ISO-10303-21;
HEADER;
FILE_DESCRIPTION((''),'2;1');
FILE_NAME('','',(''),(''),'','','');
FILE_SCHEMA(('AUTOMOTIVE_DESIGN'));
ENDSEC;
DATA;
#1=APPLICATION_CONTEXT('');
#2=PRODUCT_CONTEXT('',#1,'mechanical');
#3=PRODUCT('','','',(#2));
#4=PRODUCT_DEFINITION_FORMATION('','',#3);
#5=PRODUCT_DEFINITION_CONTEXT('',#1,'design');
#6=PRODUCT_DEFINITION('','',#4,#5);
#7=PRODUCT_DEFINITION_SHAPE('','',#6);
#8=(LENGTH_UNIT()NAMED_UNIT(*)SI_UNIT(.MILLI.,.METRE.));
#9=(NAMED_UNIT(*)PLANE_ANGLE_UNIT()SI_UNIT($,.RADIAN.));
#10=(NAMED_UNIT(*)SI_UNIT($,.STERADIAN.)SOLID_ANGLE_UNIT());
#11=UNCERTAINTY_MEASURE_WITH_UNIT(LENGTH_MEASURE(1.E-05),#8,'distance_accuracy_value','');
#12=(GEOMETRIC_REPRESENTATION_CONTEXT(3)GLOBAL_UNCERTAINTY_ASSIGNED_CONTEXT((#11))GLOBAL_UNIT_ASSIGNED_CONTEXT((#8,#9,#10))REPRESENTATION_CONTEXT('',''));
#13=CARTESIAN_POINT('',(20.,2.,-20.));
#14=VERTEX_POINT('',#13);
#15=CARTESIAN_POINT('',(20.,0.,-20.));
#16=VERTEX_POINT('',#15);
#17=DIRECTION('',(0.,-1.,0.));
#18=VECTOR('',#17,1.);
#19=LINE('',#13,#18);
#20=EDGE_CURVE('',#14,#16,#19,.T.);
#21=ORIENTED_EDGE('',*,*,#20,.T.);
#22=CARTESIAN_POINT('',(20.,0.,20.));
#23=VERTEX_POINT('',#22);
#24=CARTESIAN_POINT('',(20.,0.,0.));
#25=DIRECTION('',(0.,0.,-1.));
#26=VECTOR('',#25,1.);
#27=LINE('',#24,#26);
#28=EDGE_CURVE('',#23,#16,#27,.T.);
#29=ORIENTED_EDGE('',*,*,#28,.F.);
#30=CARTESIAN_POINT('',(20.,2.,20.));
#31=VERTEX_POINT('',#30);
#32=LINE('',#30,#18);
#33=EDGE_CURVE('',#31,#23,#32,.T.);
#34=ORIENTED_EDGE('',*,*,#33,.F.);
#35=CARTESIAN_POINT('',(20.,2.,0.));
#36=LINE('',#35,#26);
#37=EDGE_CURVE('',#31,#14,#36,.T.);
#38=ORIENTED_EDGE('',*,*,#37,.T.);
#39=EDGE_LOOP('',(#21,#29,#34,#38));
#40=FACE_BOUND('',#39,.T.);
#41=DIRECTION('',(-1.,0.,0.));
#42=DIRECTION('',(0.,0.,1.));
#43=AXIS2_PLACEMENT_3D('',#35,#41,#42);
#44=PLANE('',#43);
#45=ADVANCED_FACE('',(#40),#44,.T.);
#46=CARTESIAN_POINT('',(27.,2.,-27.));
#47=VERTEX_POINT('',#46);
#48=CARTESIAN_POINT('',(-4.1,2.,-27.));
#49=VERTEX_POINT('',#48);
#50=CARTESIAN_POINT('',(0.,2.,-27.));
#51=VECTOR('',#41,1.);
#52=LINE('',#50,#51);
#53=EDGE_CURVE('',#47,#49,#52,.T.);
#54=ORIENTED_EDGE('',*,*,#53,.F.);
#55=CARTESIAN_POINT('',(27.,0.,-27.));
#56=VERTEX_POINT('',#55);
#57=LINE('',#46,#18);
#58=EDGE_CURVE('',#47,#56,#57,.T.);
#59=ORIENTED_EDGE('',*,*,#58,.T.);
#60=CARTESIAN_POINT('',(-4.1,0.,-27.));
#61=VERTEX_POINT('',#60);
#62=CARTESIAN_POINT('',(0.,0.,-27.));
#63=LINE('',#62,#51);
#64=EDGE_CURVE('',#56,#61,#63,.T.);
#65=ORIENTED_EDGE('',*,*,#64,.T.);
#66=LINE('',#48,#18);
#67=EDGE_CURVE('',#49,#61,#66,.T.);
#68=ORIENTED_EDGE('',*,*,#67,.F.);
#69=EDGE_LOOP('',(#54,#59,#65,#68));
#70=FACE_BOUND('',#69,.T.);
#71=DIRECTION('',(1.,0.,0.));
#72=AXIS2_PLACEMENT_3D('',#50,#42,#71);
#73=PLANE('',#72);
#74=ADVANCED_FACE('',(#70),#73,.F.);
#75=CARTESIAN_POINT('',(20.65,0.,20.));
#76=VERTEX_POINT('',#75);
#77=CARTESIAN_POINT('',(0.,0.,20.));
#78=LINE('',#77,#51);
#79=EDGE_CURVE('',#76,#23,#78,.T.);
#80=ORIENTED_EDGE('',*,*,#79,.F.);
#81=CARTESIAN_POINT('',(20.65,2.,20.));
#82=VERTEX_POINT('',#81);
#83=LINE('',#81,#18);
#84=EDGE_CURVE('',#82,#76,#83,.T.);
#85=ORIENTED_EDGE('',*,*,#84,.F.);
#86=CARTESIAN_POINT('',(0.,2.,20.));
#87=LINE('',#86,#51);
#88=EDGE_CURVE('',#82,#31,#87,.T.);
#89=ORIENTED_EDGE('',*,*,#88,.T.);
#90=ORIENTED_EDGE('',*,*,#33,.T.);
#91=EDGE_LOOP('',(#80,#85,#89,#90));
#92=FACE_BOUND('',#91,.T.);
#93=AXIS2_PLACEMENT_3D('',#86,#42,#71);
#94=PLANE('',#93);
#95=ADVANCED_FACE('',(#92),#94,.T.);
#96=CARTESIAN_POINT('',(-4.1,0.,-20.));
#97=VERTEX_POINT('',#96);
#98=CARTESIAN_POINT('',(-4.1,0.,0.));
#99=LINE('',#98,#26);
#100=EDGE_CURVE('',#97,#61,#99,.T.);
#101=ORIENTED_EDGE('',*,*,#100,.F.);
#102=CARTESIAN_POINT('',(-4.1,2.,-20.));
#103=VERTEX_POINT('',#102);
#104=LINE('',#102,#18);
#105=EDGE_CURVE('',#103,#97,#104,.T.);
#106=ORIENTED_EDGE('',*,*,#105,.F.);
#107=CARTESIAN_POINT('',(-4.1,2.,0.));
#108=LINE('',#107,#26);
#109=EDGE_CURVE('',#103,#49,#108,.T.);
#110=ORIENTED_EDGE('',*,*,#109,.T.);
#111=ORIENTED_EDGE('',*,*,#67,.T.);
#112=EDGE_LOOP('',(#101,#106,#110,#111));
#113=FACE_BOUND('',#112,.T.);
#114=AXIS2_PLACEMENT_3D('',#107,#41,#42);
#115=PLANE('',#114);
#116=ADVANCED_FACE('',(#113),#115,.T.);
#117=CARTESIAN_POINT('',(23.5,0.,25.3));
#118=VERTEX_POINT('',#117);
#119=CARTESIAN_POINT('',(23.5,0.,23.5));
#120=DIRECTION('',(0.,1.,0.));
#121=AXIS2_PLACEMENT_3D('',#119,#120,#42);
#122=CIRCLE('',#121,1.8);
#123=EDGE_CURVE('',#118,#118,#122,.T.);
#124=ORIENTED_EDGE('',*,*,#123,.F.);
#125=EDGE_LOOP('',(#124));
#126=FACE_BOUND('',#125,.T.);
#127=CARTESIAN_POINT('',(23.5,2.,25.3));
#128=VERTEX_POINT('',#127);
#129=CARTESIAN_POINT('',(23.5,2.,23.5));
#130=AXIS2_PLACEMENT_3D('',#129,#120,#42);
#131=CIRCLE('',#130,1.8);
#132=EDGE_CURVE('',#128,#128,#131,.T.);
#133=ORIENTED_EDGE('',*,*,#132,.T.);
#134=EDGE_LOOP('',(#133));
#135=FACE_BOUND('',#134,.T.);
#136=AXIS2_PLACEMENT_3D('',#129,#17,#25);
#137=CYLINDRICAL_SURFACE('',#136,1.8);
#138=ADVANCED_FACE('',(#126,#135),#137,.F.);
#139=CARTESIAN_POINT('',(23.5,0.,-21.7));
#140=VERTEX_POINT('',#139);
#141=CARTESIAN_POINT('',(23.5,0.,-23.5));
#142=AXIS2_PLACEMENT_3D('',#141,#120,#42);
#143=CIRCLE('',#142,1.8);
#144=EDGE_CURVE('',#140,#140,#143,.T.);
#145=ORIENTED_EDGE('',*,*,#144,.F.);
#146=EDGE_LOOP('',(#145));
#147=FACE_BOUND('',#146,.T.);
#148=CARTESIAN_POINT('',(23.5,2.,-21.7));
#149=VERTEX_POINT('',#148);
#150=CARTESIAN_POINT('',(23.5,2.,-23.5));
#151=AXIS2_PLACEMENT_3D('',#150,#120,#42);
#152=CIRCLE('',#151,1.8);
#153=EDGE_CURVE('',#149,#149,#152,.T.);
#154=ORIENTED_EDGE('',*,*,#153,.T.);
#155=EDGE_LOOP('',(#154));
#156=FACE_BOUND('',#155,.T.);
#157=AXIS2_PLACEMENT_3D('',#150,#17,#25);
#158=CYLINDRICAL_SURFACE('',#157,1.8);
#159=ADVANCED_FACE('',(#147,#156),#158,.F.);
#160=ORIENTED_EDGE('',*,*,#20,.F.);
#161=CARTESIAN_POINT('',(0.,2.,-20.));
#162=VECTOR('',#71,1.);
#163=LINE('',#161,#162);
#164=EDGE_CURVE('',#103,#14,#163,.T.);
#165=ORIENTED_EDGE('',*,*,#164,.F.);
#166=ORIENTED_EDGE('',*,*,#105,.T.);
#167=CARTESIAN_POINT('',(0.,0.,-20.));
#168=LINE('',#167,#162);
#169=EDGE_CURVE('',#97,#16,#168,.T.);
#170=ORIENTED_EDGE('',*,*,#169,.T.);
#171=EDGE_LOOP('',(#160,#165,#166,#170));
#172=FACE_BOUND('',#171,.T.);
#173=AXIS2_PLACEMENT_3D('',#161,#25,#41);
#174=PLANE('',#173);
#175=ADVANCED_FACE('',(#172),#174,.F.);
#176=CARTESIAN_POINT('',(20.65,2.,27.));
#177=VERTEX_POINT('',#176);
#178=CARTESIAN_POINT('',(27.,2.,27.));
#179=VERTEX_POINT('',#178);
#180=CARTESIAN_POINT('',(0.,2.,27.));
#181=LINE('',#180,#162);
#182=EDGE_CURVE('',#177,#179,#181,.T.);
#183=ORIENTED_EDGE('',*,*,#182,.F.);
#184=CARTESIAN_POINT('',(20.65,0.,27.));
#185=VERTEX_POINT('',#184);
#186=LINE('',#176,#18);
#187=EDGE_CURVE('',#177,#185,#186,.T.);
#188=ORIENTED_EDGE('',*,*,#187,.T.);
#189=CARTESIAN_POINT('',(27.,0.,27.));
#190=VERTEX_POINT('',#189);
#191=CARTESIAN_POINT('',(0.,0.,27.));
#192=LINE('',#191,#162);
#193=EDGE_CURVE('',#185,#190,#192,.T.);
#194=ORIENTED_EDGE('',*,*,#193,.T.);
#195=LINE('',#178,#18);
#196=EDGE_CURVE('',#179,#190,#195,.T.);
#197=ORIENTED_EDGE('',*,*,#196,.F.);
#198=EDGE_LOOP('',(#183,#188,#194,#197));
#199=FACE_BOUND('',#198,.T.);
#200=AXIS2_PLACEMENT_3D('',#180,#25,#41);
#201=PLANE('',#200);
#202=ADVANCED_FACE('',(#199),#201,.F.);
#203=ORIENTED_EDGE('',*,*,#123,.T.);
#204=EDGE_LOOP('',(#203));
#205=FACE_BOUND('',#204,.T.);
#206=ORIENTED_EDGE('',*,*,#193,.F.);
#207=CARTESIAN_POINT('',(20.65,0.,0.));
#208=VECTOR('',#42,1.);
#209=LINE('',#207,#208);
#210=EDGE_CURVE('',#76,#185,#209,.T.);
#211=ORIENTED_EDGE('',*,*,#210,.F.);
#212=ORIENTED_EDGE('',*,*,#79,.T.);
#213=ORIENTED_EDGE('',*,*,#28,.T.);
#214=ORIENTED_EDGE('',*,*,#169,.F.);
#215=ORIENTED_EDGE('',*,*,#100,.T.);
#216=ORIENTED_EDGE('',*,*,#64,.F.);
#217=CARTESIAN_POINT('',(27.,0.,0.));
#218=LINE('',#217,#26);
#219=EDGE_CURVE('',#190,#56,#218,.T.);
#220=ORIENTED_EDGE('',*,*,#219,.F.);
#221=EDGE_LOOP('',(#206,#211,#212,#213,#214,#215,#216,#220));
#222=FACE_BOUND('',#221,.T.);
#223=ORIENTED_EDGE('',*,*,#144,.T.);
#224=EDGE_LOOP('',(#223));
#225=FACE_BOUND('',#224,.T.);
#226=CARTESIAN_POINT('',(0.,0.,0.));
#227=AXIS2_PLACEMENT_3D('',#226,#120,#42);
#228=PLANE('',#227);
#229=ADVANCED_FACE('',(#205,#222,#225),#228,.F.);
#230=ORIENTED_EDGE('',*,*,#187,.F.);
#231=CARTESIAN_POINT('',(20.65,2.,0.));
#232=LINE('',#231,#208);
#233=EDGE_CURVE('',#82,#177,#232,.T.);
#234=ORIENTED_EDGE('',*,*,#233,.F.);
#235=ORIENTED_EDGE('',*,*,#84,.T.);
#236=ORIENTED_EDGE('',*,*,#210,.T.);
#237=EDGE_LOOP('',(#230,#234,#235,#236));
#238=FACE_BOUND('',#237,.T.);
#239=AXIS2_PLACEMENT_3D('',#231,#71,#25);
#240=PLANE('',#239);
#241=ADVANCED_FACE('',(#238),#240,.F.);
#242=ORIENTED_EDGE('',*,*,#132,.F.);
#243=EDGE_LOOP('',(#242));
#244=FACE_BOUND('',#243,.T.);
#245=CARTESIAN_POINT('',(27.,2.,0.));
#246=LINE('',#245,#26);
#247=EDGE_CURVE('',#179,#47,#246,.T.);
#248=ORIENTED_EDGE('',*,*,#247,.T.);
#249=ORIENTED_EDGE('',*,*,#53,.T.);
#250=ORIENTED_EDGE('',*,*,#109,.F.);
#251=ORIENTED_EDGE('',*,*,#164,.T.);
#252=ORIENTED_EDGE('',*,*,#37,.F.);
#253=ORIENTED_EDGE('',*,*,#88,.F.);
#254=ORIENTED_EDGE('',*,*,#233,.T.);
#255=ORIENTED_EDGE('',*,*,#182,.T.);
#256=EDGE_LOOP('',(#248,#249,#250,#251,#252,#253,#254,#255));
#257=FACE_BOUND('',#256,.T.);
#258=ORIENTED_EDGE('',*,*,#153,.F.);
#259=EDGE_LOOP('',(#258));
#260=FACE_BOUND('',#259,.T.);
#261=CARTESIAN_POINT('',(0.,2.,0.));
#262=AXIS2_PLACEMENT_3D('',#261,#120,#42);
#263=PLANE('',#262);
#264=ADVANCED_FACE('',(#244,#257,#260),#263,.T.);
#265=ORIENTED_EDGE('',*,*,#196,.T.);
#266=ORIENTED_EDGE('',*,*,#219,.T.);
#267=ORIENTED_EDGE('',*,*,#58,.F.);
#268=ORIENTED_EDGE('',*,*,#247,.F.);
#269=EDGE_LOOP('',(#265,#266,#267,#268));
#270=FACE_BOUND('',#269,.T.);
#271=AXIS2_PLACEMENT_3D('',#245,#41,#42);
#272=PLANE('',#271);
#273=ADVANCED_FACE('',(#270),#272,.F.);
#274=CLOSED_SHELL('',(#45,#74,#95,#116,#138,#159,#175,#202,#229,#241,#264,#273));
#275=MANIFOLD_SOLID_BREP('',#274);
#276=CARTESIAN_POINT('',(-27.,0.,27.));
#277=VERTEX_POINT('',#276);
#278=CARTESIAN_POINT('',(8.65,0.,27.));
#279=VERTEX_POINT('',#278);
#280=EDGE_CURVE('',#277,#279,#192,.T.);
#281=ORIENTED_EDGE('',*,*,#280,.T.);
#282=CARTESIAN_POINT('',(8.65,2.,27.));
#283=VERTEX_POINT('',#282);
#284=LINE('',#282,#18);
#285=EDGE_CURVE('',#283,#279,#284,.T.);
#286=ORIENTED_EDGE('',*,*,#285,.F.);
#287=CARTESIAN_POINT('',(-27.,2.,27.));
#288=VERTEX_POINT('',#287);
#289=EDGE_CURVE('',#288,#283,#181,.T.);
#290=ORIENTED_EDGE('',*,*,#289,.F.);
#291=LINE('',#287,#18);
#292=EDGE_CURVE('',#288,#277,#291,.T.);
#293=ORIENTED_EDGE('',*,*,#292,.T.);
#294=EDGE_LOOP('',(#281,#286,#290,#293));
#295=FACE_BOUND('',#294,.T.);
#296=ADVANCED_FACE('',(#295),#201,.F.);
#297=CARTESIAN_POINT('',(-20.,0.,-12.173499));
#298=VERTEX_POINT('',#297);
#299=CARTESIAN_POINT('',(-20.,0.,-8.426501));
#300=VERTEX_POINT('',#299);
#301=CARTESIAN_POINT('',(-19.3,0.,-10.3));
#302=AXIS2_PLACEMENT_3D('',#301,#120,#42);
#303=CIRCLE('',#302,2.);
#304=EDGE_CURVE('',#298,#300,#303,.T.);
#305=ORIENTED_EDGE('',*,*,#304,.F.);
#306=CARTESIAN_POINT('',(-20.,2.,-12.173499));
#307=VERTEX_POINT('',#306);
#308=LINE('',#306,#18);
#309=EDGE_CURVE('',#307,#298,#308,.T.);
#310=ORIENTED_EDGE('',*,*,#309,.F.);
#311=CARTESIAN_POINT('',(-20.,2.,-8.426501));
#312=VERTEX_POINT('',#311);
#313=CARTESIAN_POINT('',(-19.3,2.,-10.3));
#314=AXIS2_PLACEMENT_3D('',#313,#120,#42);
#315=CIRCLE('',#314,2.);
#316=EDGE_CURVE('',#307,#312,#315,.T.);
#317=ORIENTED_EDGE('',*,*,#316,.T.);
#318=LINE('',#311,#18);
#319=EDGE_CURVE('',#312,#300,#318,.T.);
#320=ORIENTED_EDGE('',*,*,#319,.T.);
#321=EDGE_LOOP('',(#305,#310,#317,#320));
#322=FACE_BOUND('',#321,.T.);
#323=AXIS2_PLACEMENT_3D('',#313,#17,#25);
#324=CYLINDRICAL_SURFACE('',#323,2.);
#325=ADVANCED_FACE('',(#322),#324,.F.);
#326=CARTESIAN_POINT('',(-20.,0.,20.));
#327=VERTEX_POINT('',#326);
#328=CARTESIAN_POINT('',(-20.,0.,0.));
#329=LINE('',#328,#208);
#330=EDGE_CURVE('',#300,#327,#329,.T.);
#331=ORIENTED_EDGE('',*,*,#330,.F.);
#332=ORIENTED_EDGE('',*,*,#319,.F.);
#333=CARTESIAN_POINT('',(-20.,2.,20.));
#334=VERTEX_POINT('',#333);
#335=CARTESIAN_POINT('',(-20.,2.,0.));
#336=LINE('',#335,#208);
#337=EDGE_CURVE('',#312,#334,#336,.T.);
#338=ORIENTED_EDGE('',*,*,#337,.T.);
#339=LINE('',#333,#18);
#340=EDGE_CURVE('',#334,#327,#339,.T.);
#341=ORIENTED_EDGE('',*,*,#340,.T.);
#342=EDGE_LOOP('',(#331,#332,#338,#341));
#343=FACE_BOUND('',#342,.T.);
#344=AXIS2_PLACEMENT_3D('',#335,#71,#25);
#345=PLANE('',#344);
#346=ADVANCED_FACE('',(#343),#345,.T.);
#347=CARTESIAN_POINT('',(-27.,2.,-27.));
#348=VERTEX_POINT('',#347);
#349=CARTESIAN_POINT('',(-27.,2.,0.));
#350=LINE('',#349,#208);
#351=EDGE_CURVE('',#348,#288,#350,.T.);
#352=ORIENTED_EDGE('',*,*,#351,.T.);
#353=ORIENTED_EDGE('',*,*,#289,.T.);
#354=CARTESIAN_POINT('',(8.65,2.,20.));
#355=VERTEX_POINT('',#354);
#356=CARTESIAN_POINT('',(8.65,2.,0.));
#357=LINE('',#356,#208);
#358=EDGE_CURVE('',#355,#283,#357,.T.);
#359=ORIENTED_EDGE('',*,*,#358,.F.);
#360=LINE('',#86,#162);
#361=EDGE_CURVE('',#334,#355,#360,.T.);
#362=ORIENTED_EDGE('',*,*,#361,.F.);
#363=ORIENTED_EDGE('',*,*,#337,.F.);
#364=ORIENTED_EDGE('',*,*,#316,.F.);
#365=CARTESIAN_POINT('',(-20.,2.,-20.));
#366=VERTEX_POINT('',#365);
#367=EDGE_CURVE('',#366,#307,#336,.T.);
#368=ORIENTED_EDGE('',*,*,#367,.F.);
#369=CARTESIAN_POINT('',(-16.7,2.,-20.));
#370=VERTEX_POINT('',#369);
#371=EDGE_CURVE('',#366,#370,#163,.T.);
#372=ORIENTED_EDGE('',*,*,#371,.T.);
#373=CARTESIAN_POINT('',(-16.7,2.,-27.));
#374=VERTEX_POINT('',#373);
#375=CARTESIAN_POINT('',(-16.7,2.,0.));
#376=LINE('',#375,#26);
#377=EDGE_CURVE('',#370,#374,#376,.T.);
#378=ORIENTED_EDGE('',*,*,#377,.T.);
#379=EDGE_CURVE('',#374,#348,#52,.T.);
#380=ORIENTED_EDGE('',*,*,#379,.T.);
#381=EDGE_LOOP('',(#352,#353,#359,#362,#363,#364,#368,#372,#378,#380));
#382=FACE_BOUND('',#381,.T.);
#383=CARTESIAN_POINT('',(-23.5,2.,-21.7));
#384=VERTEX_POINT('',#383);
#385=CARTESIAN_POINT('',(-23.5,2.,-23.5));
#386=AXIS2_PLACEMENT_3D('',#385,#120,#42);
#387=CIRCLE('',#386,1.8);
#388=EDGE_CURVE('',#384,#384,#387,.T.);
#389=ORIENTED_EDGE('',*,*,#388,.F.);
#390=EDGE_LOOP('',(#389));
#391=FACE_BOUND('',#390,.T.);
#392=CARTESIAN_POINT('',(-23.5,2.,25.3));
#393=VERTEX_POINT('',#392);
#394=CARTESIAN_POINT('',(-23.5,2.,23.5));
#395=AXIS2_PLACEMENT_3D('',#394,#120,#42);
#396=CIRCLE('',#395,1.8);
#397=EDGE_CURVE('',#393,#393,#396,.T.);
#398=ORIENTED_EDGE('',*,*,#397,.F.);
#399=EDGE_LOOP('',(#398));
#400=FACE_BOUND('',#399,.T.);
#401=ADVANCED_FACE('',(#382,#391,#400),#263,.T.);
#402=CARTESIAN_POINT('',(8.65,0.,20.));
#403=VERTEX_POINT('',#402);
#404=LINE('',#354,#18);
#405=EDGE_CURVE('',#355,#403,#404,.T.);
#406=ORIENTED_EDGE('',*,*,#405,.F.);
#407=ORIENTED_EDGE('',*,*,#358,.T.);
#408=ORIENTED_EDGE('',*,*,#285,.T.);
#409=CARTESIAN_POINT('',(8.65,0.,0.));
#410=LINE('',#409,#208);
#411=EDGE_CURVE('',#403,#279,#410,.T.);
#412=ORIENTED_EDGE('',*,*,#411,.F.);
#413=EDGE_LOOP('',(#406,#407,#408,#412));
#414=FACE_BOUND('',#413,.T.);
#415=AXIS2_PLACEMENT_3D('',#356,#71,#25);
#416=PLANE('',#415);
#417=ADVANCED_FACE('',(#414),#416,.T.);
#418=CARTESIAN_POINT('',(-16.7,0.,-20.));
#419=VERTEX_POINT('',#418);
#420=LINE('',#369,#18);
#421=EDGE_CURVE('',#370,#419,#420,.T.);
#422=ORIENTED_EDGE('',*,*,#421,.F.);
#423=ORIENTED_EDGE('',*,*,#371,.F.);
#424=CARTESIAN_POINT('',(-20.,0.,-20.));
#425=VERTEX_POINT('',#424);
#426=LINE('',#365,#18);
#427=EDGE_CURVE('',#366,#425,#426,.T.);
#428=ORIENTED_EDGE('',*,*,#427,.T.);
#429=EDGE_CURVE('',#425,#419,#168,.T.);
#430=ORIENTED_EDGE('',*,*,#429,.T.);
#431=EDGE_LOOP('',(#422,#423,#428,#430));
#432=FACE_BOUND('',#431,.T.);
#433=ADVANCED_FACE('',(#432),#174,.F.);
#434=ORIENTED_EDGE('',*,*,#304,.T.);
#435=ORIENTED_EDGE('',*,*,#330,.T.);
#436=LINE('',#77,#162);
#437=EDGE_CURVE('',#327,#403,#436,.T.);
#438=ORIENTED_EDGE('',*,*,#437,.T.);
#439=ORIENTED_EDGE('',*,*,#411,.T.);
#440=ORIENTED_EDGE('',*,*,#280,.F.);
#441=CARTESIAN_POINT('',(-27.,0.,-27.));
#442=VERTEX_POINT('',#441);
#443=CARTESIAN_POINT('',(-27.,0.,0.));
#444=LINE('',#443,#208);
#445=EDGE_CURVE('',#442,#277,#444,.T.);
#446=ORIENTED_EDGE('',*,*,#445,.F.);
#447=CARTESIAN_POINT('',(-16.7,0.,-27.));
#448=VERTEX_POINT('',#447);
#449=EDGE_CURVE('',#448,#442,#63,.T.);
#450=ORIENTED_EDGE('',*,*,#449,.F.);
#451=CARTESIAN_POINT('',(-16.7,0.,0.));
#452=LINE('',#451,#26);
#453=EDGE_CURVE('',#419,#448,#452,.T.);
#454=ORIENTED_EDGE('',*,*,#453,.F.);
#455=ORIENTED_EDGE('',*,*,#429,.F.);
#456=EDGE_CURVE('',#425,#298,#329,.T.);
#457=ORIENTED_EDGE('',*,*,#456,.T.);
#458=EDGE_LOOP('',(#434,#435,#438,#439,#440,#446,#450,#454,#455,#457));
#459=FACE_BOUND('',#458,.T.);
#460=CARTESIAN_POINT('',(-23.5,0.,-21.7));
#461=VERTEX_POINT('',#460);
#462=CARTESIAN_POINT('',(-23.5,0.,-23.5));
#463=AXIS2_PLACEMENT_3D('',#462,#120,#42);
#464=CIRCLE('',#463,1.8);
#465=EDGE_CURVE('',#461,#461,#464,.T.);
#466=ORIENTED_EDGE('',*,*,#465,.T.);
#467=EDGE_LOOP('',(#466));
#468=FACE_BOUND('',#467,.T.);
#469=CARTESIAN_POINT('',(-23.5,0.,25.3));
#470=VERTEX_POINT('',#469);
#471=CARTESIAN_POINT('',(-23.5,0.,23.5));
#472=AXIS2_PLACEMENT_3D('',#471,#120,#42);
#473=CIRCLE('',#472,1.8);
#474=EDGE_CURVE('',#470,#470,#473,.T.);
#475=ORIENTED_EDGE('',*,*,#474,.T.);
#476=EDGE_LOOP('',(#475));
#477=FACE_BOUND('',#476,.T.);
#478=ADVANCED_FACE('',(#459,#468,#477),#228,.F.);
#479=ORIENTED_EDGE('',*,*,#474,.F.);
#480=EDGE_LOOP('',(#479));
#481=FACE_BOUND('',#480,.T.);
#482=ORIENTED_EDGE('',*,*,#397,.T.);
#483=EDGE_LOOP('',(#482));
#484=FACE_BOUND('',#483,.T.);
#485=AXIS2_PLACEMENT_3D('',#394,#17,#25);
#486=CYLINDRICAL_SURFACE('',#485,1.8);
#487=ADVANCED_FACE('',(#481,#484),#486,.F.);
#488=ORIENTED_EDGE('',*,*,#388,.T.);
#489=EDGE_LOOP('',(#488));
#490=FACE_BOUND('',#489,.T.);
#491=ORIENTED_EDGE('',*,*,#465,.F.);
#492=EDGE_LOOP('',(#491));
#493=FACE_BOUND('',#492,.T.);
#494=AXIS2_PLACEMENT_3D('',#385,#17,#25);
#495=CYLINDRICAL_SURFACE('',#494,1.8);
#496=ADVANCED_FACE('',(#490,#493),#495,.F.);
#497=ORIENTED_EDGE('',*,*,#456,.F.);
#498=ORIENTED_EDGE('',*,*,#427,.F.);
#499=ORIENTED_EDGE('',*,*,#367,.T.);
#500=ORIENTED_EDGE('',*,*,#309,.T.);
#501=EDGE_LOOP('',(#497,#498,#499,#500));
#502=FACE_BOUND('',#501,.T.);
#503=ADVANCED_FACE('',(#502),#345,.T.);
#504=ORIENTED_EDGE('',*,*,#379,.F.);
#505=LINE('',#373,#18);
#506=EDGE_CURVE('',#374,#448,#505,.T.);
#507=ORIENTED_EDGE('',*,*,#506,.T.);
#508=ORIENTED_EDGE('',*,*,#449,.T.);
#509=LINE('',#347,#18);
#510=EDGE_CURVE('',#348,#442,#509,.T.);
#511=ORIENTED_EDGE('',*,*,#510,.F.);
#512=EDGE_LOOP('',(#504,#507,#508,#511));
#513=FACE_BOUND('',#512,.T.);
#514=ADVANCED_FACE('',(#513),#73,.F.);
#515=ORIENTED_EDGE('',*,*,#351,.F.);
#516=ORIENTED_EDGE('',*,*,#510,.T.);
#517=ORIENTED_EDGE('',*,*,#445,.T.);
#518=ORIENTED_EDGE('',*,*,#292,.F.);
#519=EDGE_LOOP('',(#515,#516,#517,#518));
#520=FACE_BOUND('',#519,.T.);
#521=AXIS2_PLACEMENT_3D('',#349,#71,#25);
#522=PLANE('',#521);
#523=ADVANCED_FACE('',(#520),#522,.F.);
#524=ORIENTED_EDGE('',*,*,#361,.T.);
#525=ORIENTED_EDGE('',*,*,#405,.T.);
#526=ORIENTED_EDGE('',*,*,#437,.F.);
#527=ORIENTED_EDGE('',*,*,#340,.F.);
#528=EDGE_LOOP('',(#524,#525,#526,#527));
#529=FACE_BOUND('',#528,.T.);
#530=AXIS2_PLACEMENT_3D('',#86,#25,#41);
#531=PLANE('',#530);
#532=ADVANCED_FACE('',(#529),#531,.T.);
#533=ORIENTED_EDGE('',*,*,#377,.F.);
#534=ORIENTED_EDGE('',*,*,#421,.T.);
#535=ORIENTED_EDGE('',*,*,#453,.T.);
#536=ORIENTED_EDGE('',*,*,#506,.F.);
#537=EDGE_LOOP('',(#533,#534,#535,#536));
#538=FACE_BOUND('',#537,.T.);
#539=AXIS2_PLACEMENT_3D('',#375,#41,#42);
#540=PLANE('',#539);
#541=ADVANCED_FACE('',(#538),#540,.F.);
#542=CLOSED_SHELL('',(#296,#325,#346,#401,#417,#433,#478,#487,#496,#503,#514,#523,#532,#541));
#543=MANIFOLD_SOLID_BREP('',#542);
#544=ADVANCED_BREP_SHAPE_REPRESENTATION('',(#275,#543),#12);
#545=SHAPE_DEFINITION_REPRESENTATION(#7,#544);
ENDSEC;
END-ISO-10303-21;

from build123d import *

# Parameters (mm, degrees)
SKETCH_3_R        = 1.8
EXTRUDE_2_DEPTH   = 2
EXTRUDE_2_2_DEPTH = 2


with BuildPart() as part:
    # 草图3 → 凸台-拉伸2 (new body)
    with BuildSketch(Plane(origin=(0, 0, 0), x_dir=(1, 0, 0), z_dir=(0, 1, 0))):
        with BuildLine():
            Line((-27, -27), (8.65, -27))
            Line((8.65, -27), (8.65, -20))
            Line((8.65, -20), (-20, -20))
            Line((-20, -20), (-20, 8.4265006))
            ThreePointArc((-20, 8.4265006), (-21.3, 10.3), (-20, 12.1734994))
            Line((-20, 12.1734994), (-20, 20))
            Line((-20, 20), (-16.7, 20))
            Line((-16.7, 20), (-16.7, 27))
            Line((-16.7, 27), (-27, 27))
            Line((-27, 27), (-27, -27))
        make_face()
        with Locations((-23.5, -23.5)):
            Circle(SKETCH_3_R, mode=Mode.SUBTRACT)
        with Locations((-23.5, 23.5)):
            Circle(SKETCH_3_R, mode=Mode.SUBTRACT)
    extrude(amount=EXTRUDE_2_DEPTH)


with BuildPart() as body_2:
    # 草图3 → Extrude 2 2 (new body)
    with BuildSketch(Plane(origin=(0, 0, 0), x_dir=(1, 0, 0), z_dir=(0, 1, 0))):
        Polygon((20, 20), (20, -20), (20.65, -20), (20.65, -27), (27, -27), (27, 27), (-4.1, 27), (-4.1, 20), align=None)
        with Locations((23.5, -23.5)):
            Circle(SKETCH_3_R, mode=Mode.SUBTRACT)
        with Locations((23.5, 23.5)):
            Circle(SKETCH_3_R, mode=Mode.SUBTRACT)
    extrude(amount=EXTRUDE_2_2_DEPTH)


solid = Compound([part.part, body_2.part])
